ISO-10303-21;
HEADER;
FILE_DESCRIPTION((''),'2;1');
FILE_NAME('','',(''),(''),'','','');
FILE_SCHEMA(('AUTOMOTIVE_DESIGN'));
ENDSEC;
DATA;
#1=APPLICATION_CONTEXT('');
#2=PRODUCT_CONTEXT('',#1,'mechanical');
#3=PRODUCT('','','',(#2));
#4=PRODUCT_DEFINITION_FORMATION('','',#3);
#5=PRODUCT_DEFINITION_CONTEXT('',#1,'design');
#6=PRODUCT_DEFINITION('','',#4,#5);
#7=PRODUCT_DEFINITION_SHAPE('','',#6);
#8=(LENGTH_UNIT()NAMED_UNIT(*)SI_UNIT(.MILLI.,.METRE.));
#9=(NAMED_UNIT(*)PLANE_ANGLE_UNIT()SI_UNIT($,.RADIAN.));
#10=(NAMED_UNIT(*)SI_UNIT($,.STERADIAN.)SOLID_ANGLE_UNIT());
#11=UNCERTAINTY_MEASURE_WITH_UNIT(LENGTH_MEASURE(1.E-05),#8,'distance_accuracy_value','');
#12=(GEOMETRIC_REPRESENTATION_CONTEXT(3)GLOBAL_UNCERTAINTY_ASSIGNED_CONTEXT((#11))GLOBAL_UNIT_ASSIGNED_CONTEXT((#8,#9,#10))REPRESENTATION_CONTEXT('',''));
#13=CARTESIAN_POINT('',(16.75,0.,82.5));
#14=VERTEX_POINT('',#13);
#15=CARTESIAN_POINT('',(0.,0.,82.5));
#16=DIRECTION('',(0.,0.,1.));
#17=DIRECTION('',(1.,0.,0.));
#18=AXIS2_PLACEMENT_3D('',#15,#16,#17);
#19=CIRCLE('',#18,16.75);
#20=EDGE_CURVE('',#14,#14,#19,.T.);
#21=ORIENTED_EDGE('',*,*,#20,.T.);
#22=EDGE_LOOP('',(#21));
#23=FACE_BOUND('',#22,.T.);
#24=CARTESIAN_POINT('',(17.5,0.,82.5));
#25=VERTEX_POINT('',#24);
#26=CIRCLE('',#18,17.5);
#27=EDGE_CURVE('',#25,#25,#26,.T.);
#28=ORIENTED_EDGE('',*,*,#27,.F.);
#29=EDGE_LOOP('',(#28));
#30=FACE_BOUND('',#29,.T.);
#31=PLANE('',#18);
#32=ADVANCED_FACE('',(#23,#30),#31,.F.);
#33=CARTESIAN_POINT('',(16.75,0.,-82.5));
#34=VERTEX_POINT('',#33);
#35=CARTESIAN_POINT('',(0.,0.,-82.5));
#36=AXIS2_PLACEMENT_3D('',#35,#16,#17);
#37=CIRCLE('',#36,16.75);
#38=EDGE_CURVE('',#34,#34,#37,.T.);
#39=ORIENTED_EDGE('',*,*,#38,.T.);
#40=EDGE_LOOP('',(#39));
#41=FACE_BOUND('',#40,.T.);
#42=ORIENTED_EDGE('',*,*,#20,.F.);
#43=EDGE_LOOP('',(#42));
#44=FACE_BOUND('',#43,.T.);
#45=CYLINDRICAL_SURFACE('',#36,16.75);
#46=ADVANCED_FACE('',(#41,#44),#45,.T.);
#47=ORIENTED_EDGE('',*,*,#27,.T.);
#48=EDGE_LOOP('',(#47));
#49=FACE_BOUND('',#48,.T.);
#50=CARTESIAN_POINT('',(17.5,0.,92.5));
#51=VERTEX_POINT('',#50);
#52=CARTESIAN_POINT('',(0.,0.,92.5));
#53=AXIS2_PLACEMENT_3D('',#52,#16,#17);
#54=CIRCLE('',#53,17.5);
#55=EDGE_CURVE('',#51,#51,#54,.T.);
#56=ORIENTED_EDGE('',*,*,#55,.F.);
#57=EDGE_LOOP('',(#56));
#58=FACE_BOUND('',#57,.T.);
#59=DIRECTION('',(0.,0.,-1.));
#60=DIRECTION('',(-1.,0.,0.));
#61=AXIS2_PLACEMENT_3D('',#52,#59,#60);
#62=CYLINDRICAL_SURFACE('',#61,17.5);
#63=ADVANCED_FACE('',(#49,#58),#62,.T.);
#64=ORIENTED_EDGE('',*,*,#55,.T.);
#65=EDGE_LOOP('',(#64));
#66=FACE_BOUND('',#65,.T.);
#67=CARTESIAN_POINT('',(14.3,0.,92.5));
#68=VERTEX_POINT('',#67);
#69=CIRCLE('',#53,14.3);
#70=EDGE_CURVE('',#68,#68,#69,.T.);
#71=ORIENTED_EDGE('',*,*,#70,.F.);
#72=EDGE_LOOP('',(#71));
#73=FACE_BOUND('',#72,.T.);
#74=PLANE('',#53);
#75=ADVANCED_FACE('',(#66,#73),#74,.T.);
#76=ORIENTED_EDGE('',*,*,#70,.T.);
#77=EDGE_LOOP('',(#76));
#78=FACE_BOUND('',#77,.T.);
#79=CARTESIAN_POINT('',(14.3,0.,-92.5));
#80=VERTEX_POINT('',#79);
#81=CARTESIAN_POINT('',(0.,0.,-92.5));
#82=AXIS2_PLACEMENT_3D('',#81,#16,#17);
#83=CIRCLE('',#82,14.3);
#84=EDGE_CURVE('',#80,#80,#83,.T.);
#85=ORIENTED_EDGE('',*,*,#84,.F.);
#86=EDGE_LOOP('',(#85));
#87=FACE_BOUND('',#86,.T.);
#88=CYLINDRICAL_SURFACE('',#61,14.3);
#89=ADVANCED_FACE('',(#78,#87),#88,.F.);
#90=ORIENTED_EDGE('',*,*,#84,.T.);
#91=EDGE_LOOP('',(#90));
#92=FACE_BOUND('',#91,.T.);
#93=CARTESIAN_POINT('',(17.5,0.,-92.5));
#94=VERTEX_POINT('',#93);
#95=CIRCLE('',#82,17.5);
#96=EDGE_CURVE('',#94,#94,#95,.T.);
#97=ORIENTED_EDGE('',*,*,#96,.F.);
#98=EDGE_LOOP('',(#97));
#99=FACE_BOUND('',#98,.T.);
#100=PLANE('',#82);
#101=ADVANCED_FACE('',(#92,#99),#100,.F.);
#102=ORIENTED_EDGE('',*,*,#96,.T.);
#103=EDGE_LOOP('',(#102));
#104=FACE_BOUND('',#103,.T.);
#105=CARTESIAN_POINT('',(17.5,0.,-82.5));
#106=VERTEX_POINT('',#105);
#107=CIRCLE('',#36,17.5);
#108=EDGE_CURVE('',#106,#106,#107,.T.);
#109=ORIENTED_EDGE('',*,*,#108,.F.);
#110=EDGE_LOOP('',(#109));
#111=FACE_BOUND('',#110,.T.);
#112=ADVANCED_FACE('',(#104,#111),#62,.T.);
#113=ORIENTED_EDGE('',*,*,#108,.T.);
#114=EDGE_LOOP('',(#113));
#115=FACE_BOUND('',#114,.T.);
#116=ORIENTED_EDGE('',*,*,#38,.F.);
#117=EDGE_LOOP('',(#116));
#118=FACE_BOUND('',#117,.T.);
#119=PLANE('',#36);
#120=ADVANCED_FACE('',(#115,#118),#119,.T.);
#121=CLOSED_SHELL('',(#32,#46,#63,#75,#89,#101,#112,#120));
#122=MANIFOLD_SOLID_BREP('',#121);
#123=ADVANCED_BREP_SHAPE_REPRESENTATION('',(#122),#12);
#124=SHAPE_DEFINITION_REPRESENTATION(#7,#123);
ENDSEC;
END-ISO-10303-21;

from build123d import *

# Parameters (mm, degrees)
ESQUISSE1_R             = 17.5
ESQUISSE1_R_2           = 14.3
BOSS_EXTRU_1_DEPTH      = 92.5
ESQUISSE2_OUTSIDE_W     = 75.302
ESQUISSE2_OUTSIDE_H     = 75.302
ESQUISSE2_OUTSIDE_R     = 16.75
ENL_V_MAT_EXTRU_1_DEPTH = 82.5


with BuildPart() as part:
    # Esquisse1 → Boss.-Extru.1 (new, symmetric)
    with BuildSketch(Plane.XY):
        Circle(ESQUISSE1_R)
        Circle(ESQUISSE1_R_2, mode=Mode.SUBTRACT)
    extrude(amount=BOSS_EXTRU_1_DEPTH, both=True)

    # Esquisse2 outside → Enlèv. mat.-Extru.1 (cut, symmetric)
    with BuildSketch(Plane.XY):
        Rectangle(ESQUISSE2_OUTSIDE_W, ESQUISSE2_OUTSIDE_H)
        Circle(ESQUISSE2_OUTSIDE_R, mode=Mode.SUBTRACT)
    extrude(amount=ENL_V_MAT_EXTRU_1_DEPTH, both=True, mode=Mode.SUBTRACT)


solid = part.part
